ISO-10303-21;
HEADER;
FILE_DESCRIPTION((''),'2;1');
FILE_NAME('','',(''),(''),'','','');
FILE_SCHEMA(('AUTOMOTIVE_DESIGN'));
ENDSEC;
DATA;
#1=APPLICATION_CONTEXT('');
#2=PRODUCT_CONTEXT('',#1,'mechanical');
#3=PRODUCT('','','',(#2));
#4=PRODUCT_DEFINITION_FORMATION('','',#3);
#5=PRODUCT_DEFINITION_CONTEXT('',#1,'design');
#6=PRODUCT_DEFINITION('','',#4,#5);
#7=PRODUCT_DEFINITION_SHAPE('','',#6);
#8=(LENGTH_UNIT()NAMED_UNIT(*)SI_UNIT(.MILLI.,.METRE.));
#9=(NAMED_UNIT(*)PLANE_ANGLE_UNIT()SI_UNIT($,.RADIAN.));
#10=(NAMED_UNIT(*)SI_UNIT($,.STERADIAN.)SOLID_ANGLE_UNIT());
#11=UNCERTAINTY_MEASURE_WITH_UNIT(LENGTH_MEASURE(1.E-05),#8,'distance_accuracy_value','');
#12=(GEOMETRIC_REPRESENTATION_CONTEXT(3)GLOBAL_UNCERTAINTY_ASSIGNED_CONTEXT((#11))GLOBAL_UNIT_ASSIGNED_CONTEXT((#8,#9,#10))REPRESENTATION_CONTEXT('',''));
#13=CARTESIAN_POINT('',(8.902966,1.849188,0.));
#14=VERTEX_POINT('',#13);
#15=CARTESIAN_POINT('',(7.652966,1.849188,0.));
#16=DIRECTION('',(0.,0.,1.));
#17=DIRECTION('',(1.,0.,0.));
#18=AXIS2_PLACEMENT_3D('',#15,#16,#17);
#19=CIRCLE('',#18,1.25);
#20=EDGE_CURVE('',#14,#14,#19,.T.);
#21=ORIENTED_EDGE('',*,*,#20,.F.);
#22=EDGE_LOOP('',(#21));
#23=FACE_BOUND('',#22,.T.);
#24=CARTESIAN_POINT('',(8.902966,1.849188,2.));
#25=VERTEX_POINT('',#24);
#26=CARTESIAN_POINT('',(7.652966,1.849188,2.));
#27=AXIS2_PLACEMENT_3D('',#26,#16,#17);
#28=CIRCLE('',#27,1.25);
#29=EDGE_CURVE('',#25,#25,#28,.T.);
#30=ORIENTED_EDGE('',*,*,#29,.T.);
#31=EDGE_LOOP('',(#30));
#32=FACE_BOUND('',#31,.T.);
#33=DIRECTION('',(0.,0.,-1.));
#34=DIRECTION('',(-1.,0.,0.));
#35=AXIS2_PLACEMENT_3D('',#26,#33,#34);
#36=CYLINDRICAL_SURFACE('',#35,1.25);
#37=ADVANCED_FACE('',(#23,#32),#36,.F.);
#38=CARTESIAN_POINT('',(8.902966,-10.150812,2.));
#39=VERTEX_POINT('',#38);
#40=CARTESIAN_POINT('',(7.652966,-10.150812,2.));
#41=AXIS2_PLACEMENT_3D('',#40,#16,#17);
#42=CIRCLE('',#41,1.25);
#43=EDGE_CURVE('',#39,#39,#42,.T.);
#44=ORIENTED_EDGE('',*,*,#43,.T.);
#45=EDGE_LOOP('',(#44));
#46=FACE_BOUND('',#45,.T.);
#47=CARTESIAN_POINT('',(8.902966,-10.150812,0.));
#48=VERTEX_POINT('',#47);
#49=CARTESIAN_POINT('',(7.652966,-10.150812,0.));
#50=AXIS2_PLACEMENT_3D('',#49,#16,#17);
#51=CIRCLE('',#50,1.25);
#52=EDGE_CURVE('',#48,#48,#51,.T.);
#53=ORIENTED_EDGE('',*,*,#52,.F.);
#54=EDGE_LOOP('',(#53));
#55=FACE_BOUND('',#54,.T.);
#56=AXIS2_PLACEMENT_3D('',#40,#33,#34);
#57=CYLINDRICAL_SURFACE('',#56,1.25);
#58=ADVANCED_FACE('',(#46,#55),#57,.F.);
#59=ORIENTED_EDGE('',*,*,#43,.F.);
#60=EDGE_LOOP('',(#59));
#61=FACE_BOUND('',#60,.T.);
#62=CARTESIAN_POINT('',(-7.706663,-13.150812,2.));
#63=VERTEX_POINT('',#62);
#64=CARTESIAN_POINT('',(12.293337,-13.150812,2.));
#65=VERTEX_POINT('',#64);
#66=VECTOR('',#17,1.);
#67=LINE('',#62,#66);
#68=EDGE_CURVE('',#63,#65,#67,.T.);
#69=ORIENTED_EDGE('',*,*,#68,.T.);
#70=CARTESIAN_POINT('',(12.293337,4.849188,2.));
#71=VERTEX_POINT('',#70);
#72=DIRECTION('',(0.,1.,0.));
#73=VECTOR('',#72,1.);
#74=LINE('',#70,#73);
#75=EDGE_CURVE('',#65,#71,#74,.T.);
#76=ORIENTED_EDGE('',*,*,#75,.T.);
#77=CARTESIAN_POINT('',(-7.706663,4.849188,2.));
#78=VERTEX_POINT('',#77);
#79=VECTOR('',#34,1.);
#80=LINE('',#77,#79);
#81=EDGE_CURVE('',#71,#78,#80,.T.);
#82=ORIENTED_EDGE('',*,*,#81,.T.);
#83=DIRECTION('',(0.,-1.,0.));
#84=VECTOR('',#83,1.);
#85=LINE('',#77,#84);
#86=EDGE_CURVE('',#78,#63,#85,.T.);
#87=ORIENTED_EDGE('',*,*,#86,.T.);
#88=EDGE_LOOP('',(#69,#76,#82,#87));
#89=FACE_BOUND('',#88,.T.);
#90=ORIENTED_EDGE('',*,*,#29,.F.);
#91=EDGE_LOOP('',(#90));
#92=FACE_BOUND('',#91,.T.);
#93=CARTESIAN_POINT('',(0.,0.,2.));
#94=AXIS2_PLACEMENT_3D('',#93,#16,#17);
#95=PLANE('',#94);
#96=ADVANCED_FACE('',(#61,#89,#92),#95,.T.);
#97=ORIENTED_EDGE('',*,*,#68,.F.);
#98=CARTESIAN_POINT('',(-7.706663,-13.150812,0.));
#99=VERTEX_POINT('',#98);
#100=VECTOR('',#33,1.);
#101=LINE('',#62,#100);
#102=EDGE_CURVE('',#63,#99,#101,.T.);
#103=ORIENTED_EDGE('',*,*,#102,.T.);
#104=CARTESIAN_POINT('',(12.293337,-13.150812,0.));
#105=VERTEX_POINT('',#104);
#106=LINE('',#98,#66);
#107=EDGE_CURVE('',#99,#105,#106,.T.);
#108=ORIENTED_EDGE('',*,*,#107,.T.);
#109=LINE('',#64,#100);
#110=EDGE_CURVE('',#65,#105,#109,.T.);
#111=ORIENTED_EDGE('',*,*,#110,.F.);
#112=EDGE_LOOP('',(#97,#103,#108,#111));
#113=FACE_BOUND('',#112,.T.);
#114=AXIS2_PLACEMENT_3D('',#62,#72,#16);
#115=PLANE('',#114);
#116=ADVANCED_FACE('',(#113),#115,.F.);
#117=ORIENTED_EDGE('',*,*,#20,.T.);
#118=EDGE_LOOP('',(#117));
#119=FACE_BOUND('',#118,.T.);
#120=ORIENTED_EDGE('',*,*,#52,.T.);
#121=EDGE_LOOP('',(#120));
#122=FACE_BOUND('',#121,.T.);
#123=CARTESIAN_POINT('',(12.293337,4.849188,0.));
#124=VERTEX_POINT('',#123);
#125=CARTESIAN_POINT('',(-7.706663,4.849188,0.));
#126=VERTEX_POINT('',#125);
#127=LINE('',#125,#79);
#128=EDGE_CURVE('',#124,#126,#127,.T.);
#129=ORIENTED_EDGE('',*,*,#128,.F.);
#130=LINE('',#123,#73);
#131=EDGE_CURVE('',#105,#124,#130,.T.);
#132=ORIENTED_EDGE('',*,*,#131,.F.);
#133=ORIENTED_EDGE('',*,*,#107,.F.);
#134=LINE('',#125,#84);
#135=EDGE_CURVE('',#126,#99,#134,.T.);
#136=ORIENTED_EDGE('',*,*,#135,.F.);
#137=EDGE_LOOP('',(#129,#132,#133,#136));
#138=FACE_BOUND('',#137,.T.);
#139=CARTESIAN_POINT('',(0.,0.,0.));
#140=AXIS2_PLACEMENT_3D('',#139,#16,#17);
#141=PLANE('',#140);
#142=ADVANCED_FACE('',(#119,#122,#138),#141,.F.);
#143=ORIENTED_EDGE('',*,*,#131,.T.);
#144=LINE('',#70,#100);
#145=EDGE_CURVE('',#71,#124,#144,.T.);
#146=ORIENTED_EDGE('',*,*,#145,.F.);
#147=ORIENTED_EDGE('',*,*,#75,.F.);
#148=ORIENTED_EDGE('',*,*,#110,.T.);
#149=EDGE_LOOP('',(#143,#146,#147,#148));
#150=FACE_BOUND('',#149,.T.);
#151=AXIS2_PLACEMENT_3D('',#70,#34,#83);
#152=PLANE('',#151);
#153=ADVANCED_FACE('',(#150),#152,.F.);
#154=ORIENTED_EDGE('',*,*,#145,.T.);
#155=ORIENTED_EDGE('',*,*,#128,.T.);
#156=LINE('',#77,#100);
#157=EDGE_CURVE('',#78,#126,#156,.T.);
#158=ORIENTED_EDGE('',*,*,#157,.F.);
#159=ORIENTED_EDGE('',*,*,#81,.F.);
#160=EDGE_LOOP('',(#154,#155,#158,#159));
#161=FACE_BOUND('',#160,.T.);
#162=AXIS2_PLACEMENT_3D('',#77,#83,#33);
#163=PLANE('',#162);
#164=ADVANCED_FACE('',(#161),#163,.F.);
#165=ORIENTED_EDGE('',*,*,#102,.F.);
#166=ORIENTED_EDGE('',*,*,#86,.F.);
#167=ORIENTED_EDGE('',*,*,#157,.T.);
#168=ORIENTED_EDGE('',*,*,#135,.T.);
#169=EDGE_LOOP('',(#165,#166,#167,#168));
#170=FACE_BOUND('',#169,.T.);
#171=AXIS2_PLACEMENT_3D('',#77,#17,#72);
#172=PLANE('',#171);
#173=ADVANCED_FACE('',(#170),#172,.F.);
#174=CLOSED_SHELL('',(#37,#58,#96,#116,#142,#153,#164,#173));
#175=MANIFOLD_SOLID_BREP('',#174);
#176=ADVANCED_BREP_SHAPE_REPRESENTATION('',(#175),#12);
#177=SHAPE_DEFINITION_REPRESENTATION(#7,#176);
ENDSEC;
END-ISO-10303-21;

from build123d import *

# Parameters (mm, degrees)
ESQUISSE1_W        = 20
ESQUISSE1_H        = 18
ESQUISSE1_R        = 1.25
BOSS_EXTRU_1_DEPTH = 2


with BuildPart() as part:
    # Esquisse1 → Boss.-Extru.1 (new body)
    with BuildSketch(Plane.XY):
        with Locations((2.293336998, -4.150812065)):
            Rectangle(ESQUISSE1_W, ESQUISSE1_H)
        with Locations((7.652965768, 1.849187935)):
            Circle(ESQUISSE1_R, mode=Mode.SUBTRACT)
        with Locations((7.652965768, -10.150812065)):
            Circle(ESQUISSE1_R, mode=Mode.SUBTRACT)
    extrude(amount=BOSS_EXTRU_1_DEPTH)


solid = part.part
